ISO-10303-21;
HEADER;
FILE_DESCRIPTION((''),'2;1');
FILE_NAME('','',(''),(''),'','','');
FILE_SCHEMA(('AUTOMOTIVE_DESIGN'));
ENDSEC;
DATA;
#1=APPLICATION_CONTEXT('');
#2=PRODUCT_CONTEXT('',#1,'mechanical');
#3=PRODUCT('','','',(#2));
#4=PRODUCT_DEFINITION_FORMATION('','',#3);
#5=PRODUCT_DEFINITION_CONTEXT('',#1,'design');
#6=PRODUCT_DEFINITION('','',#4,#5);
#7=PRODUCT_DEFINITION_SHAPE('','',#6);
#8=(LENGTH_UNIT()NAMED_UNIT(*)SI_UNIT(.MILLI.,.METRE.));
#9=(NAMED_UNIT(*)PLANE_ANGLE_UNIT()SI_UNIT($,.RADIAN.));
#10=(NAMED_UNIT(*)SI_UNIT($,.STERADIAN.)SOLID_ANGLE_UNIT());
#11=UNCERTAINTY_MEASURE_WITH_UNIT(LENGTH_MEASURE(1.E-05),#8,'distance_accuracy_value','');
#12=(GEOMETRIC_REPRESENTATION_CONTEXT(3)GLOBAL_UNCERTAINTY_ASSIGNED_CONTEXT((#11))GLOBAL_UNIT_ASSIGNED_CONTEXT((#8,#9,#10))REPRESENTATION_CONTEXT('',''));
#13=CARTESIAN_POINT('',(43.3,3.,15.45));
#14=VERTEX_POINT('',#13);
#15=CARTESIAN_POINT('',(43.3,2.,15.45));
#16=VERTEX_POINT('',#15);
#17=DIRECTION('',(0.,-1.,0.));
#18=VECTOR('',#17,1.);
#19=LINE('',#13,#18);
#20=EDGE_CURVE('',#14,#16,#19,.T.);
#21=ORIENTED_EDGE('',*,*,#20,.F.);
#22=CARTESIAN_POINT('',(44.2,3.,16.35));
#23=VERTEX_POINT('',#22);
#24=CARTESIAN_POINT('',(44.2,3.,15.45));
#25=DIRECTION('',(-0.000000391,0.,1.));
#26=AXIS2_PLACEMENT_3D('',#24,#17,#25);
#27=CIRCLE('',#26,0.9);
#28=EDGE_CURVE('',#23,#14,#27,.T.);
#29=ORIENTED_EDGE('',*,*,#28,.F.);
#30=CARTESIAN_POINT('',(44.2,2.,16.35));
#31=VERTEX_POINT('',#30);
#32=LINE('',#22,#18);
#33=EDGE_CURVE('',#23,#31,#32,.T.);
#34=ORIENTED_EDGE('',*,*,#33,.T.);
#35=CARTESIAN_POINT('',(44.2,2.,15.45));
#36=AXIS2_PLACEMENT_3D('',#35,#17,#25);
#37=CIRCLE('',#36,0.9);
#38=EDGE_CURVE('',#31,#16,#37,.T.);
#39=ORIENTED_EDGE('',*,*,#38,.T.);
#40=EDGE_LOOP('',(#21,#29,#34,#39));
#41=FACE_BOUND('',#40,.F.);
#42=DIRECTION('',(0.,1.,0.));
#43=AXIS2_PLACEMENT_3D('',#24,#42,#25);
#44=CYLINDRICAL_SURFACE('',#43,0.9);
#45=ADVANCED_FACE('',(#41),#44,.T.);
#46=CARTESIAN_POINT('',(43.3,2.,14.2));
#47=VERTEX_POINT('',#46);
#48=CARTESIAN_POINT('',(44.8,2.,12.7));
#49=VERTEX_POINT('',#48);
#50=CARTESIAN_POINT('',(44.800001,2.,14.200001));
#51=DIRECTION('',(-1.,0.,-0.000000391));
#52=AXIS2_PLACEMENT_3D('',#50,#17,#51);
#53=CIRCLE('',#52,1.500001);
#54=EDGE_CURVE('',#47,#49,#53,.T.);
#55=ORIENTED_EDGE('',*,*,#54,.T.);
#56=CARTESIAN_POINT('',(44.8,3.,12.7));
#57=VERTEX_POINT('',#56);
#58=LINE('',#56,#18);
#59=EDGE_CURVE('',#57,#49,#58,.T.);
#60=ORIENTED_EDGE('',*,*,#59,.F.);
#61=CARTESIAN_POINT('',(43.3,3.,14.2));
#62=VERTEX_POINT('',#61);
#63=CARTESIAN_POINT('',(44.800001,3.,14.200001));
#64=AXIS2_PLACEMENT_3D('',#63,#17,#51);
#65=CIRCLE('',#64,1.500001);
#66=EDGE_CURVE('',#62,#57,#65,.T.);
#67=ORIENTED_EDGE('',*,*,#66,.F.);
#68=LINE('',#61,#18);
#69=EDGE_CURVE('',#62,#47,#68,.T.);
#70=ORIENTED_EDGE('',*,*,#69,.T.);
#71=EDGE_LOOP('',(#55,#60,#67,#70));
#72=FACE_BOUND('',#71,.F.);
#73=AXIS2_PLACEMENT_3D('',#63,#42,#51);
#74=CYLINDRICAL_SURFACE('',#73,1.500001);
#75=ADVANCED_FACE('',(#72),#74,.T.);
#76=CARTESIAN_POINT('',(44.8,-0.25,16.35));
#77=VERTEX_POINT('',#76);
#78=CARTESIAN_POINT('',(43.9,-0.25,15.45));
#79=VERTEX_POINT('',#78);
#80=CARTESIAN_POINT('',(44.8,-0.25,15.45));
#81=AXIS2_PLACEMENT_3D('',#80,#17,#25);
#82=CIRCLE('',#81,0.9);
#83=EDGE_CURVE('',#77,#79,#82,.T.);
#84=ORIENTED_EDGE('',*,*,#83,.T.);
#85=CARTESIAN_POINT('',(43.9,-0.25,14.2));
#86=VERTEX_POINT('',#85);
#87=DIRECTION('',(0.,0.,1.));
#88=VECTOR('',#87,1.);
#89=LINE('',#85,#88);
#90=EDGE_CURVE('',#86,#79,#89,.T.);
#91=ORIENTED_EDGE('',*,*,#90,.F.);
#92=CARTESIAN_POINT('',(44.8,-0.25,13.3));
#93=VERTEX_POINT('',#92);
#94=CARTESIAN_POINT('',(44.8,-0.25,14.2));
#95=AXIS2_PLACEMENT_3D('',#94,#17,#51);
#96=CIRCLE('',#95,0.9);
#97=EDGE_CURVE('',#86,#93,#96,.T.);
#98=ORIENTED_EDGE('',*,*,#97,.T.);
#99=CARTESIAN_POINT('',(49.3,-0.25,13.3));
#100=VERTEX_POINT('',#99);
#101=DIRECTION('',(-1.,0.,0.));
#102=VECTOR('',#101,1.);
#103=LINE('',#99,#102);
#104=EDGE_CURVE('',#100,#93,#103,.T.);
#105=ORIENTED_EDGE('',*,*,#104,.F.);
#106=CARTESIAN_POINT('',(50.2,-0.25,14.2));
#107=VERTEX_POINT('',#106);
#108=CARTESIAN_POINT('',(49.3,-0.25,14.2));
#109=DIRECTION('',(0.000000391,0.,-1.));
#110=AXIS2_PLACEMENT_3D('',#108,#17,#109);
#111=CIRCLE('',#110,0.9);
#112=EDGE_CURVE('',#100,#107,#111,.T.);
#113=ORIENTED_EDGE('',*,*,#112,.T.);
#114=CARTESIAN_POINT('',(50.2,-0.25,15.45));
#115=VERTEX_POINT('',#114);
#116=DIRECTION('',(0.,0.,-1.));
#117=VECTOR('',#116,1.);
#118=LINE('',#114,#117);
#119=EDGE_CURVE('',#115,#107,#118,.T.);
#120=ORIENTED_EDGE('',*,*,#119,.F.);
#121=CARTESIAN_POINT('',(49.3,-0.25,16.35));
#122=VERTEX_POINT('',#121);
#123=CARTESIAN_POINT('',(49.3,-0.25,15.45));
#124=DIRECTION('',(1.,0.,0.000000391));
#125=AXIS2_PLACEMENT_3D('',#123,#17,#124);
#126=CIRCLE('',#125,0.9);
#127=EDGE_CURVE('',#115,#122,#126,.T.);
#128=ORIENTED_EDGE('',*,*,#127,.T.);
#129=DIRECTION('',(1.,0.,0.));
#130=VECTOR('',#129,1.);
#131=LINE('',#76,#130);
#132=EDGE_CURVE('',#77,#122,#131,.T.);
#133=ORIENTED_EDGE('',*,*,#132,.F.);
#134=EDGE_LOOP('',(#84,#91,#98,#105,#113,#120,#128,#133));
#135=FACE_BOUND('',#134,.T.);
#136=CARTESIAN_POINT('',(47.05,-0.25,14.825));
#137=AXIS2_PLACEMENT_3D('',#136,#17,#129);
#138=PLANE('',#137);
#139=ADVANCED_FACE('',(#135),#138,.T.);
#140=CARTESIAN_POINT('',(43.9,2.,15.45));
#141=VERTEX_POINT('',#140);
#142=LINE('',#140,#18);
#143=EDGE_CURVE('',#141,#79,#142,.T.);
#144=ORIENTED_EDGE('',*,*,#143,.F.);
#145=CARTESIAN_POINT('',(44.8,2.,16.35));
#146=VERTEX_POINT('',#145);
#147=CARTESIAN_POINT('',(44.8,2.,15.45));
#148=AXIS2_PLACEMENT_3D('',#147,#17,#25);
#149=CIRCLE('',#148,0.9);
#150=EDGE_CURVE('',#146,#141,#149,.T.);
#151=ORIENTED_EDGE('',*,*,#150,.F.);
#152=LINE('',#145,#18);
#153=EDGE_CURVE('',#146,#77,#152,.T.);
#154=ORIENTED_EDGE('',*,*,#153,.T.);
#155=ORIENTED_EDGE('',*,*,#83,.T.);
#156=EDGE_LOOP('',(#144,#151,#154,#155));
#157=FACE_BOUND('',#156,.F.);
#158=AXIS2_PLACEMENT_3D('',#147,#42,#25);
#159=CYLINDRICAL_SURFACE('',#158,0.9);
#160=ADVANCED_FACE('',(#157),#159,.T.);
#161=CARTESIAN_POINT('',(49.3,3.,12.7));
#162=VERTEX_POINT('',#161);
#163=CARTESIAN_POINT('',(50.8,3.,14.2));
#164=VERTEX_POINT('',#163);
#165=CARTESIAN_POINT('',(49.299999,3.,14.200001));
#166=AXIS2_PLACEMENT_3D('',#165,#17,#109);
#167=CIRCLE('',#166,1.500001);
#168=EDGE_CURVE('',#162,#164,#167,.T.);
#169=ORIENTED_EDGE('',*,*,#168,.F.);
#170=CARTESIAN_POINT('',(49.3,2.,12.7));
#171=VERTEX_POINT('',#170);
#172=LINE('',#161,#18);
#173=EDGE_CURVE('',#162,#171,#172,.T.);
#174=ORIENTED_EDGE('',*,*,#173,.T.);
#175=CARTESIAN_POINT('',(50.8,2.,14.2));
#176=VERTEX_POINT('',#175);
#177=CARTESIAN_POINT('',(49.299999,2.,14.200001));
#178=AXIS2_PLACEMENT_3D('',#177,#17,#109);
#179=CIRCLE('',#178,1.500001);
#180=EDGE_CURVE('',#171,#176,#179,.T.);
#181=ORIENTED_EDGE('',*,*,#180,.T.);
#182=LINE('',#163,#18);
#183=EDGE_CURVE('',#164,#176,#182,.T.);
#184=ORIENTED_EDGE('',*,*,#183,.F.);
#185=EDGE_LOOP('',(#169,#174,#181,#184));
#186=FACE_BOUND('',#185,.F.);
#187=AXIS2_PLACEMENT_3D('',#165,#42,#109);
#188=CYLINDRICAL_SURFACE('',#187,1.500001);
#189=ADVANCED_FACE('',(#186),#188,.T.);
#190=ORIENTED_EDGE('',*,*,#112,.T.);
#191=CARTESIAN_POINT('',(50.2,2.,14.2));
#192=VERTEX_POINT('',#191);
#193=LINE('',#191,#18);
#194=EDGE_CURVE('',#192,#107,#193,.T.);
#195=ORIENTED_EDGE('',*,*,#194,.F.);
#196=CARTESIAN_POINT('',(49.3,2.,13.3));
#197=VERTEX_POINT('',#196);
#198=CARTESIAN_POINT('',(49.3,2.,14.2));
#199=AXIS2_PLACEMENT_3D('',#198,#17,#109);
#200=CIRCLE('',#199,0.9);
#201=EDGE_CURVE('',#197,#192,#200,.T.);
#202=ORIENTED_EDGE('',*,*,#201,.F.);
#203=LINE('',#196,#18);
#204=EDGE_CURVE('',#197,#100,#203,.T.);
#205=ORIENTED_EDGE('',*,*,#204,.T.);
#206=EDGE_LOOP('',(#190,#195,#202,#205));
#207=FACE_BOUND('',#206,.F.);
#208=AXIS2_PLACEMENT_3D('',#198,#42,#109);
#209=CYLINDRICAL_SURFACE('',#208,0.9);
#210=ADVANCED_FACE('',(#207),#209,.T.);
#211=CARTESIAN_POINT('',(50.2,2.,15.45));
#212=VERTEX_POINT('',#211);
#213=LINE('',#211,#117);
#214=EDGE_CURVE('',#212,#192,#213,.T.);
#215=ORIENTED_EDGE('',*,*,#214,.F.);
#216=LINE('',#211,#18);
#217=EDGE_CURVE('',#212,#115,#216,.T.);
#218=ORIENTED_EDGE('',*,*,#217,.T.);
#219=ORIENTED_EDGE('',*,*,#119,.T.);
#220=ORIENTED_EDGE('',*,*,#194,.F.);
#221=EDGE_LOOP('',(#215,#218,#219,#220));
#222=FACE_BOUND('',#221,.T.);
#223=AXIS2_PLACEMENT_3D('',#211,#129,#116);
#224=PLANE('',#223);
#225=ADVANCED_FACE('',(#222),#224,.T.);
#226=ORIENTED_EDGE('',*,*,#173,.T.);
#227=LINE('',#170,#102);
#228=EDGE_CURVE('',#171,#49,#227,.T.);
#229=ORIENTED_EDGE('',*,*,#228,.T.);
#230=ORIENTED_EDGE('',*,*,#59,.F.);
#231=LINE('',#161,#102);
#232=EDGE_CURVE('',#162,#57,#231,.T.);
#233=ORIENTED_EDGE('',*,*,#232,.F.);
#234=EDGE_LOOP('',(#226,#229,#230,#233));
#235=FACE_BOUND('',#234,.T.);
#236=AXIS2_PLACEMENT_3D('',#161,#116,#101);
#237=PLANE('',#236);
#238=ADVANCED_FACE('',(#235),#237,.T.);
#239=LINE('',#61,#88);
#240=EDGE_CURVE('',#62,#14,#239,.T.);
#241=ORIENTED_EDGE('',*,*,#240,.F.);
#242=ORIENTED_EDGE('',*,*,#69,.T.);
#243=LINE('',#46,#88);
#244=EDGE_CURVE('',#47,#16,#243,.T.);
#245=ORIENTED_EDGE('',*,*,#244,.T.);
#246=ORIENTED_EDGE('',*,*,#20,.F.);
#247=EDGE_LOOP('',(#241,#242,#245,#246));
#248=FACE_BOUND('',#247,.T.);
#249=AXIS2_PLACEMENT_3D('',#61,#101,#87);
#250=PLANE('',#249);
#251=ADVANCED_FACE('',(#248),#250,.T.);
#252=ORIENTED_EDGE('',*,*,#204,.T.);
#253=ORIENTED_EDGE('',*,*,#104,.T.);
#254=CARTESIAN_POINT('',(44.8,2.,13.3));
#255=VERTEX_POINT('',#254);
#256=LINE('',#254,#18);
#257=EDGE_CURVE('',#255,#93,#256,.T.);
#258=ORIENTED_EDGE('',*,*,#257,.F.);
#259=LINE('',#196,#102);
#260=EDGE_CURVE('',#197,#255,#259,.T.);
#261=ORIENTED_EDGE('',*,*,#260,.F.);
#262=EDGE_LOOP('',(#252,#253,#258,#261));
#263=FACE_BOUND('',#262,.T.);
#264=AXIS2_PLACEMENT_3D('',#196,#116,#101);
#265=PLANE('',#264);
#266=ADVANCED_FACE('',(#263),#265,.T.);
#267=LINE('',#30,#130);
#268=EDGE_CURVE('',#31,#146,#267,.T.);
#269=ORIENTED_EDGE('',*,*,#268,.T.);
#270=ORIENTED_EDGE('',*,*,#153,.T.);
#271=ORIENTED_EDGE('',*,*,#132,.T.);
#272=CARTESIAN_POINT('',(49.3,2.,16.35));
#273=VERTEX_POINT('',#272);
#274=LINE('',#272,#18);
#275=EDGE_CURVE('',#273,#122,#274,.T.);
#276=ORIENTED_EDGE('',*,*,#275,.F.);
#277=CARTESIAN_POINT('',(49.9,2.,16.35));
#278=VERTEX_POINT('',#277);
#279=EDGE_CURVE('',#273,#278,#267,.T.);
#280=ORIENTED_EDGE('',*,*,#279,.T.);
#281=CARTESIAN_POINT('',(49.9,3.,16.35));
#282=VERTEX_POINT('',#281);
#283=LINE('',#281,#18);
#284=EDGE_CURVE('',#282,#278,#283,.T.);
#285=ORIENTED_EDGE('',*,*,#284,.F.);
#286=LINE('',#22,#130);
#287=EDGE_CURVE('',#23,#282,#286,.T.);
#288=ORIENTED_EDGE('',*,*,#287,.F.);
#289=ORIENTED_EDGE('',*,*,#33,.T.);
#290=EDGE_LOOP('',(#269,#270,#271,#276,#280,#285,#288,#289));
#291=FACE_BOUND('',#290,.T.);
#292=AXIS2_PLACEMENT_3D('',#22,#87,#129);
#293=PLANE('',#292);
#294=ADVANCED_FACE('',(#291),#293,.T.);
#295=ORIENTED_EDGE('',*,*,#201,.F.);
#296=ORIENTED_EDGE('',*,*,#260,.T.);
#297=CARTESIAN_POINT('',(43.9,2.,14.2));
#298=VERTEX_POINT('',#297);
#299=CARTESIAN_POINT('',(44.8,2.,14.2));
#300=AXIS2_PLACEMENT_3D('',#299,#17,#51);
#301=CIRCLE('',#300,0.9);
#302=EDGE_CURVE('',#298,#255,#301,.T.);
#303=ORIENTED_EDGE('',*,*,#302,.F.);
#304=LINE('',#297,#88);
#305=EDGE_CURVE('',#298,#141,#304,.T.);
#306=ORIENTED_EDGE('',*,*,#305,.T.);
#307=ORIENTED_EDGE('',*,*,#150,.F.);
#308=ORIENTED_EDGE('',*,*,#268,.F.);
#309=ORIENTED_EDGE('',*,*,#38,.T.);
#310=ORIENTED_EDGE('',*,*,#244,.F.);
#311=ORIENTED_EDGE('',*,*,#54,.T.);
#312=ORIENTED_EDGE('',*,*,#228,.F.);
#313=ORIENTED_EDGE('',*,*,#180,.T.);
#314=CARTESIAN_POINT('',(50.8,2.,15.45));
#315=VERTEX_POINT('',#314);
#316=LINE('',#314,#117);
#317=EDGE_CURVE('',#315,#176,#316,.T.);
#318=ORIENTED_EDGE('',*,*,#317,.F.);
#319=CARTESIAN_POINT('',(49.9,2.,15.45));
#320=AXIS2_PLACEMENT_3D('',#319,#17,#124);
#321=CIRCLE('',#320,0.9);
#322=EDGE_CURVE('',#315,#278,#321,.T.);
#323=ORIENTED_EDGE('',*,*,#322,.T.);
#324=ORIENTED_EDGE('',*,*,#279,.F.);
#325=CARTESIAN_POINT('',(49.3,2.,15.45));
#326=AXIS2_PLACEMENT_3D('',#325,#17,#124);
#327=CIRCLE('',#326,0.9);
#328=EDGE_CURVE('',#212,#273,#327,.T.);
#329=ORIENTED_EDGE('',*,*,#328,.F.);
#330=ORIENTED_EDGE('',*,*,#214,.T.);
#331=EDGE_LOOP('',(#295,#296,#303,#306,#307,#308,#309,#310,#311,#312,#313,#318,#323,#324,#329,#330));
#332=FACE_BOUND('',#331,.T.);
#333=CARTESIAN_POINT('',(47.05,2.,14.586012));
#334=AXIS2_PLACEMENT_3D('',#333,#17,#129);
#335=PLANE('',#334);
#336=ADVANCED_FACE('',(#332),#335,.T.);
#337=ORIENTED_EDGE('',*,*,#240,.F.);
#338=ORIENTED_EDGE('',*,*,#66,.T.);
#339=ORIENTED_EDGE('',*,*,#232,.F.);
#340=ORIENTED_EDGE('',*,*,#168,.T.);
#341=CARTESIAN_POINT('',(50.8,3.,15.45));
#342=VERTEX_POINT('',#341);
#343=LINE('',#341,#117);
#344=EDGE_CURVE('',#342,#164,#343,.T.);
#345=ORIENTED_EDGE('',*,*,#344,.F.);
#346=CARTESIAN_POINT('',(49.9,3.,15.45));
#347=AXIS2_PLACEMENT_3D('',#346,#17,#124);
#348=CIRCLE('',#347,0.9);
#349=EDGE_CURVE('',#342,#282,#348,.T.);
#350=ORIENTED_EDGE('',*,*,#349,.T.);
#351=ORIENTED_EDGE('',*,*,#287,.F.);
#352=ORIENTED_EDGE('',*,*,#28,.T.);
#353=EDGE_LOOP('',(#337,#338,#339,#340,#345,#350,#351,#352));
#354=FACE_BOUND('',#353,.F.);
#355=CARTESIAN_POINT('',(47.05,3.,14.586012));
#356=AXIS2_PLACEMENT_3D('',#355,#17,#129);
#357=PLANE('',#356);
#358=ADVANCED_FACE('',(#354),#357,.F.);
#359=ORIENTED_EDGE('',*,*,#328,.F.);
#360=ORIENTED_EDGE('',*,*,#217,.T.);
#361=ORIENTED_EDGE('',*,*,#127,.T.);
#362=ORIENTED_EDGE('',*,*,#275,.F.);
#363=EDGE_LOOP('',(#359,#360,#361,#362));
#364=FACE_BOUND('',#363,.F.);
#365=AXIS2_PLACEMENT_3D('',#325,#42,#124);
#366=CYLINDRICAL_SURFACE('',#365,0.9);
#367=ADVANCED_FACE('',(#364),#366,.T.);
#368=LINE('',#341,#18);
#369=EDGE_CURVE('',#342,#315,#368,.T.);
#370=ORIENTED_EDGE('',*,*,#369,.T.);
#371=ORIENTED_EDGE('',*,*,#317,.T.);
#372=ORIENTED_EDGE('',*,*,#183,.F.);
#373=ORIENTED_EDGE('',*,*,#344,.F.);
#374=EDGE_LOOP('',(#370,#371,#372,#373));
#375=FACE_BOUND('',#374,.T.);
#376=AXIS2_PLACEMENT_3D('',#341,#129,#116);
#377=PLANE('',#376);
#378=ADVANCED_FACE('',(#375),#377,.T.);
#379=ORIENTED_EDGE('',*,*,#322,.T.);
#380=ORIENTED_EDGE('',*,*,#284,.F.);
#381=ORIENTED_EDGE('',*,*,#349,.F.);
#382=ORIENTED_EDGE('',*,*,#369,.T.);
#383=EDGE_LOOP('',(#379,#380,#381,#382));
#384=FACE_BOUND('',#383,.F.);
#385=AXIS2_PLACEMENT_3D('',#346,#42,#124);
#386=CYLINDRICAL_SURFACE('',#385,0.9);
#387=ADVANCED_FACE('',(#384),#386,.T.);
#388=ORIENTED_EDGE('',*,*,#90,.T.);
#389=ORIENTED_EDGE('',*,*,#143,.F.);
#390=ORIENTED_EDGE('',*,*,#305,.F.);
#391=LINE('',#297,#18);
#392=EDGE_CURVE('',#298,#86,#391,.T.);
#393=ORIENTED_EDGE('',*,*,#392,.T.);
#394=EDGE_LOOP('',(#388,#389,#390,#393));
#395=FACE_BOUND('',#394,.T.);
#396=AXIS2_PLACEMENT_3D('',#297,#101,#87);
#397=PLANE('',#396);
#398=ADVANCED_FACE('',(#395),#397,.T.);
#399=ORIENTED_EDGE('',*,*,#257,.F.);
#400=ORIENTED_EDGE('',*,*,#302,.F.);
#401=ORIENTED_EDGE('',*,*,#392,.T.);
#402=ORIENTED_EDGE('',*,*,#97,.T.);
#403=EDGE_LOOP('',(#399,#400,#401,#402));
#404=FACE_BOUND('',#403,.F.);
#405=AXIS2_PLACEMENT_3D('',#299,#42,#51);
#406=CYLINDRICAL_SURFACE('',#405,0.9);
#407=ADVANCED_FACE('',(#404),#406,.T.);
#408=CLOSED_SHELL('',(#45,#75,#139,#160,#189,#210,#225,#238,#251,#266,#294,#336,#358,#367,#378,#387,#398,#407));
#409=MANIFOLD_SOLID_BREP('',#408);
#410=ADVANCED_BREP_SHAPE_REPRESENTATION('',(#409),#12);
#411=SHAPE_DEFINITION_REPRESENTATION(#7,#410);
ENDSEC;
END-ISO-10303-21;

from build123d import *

# Parameters (mm, degrees)
EXTRUDE017_DEPTH = 1
EXTRUDE016_DEPTH = 2.25


with BuildPart() as extrude017:
    # Sketch017 → Extrude017 (new body)
    with BuildSketch(Plane.XZ):
        with BuildLine():
            ThreePointArc((11.7, 16.35), (11.063604, 16.086396), (10.8, 15.45))
            Line((10.8, 14.2), (10.8, 15.45))
            ThreePointArc((10.8, 14.2), (11.23934, 13.13934), (12.3, 12.7))
            Line((16.8, 12.7), (12.3, 12.7))
            ThreePointArc((16.8, 12.7), (17.86066, 13.13934), (18.3, 14.2))
            Line((18.3, 15.45), (18.3, 14.2))
            ThreePointArc((18.3, 15.45), (18.036396, 16.086396), (17.4, 16.35))
            Line((11.7, 16.35), (17.4, 16.35))
        make_face()
    extrude(amount=EXTRUDE017_DEPTH)


with BuildPart() as extrude017_1:
    # Extrude017 placement: moved
    add(extrude017.part.moved(Location((0, 3, 0))))


with BuildPart() as button002:
    # Sketch016 → Extrude016 (new body)
    with BuildSketch(Plane.XZ):
        with BuildLine():
            ThreePointArc((12.3, 16.35), (11.663604, 16.086396), (11.4, 15.45))
            Line((11.4, 14.2), (11.4, 15.45))
            ThreePointArc((11.4, 14.2), (11.663604, 13.563604), (12.3, 13.3))
            Line((16.8, 13.3), (12.3, 13.3))
            ThreePointArc((16.8, 13.3), (17.436396, 13.563604), (17.7, 14.2))
            Line((17.7, 15.45), (17.7, 14.2))
            ThreePointArc((17.7, 15.45), (17.436396, 16.086396), (16.8, 16.35))
            Line((12.3, 16.35), (16.8, 16.35))
        make_face()
    extrude(amount=EXTRUDE016_DEPTH)


with BuildPart() as button002_1:
    # Extrude016 placement: moved
    add(button002.part.moved(Location((0, 2, 0))))

    # Fusion019: union Extrude017
    add(extrude017_1.part)


with BuildPart() as button002_2:
    # Fusion019 placement: moved
    add(button002_1.part.moved(Location((32.5, 0, 0))))


solid = button002_2.part
